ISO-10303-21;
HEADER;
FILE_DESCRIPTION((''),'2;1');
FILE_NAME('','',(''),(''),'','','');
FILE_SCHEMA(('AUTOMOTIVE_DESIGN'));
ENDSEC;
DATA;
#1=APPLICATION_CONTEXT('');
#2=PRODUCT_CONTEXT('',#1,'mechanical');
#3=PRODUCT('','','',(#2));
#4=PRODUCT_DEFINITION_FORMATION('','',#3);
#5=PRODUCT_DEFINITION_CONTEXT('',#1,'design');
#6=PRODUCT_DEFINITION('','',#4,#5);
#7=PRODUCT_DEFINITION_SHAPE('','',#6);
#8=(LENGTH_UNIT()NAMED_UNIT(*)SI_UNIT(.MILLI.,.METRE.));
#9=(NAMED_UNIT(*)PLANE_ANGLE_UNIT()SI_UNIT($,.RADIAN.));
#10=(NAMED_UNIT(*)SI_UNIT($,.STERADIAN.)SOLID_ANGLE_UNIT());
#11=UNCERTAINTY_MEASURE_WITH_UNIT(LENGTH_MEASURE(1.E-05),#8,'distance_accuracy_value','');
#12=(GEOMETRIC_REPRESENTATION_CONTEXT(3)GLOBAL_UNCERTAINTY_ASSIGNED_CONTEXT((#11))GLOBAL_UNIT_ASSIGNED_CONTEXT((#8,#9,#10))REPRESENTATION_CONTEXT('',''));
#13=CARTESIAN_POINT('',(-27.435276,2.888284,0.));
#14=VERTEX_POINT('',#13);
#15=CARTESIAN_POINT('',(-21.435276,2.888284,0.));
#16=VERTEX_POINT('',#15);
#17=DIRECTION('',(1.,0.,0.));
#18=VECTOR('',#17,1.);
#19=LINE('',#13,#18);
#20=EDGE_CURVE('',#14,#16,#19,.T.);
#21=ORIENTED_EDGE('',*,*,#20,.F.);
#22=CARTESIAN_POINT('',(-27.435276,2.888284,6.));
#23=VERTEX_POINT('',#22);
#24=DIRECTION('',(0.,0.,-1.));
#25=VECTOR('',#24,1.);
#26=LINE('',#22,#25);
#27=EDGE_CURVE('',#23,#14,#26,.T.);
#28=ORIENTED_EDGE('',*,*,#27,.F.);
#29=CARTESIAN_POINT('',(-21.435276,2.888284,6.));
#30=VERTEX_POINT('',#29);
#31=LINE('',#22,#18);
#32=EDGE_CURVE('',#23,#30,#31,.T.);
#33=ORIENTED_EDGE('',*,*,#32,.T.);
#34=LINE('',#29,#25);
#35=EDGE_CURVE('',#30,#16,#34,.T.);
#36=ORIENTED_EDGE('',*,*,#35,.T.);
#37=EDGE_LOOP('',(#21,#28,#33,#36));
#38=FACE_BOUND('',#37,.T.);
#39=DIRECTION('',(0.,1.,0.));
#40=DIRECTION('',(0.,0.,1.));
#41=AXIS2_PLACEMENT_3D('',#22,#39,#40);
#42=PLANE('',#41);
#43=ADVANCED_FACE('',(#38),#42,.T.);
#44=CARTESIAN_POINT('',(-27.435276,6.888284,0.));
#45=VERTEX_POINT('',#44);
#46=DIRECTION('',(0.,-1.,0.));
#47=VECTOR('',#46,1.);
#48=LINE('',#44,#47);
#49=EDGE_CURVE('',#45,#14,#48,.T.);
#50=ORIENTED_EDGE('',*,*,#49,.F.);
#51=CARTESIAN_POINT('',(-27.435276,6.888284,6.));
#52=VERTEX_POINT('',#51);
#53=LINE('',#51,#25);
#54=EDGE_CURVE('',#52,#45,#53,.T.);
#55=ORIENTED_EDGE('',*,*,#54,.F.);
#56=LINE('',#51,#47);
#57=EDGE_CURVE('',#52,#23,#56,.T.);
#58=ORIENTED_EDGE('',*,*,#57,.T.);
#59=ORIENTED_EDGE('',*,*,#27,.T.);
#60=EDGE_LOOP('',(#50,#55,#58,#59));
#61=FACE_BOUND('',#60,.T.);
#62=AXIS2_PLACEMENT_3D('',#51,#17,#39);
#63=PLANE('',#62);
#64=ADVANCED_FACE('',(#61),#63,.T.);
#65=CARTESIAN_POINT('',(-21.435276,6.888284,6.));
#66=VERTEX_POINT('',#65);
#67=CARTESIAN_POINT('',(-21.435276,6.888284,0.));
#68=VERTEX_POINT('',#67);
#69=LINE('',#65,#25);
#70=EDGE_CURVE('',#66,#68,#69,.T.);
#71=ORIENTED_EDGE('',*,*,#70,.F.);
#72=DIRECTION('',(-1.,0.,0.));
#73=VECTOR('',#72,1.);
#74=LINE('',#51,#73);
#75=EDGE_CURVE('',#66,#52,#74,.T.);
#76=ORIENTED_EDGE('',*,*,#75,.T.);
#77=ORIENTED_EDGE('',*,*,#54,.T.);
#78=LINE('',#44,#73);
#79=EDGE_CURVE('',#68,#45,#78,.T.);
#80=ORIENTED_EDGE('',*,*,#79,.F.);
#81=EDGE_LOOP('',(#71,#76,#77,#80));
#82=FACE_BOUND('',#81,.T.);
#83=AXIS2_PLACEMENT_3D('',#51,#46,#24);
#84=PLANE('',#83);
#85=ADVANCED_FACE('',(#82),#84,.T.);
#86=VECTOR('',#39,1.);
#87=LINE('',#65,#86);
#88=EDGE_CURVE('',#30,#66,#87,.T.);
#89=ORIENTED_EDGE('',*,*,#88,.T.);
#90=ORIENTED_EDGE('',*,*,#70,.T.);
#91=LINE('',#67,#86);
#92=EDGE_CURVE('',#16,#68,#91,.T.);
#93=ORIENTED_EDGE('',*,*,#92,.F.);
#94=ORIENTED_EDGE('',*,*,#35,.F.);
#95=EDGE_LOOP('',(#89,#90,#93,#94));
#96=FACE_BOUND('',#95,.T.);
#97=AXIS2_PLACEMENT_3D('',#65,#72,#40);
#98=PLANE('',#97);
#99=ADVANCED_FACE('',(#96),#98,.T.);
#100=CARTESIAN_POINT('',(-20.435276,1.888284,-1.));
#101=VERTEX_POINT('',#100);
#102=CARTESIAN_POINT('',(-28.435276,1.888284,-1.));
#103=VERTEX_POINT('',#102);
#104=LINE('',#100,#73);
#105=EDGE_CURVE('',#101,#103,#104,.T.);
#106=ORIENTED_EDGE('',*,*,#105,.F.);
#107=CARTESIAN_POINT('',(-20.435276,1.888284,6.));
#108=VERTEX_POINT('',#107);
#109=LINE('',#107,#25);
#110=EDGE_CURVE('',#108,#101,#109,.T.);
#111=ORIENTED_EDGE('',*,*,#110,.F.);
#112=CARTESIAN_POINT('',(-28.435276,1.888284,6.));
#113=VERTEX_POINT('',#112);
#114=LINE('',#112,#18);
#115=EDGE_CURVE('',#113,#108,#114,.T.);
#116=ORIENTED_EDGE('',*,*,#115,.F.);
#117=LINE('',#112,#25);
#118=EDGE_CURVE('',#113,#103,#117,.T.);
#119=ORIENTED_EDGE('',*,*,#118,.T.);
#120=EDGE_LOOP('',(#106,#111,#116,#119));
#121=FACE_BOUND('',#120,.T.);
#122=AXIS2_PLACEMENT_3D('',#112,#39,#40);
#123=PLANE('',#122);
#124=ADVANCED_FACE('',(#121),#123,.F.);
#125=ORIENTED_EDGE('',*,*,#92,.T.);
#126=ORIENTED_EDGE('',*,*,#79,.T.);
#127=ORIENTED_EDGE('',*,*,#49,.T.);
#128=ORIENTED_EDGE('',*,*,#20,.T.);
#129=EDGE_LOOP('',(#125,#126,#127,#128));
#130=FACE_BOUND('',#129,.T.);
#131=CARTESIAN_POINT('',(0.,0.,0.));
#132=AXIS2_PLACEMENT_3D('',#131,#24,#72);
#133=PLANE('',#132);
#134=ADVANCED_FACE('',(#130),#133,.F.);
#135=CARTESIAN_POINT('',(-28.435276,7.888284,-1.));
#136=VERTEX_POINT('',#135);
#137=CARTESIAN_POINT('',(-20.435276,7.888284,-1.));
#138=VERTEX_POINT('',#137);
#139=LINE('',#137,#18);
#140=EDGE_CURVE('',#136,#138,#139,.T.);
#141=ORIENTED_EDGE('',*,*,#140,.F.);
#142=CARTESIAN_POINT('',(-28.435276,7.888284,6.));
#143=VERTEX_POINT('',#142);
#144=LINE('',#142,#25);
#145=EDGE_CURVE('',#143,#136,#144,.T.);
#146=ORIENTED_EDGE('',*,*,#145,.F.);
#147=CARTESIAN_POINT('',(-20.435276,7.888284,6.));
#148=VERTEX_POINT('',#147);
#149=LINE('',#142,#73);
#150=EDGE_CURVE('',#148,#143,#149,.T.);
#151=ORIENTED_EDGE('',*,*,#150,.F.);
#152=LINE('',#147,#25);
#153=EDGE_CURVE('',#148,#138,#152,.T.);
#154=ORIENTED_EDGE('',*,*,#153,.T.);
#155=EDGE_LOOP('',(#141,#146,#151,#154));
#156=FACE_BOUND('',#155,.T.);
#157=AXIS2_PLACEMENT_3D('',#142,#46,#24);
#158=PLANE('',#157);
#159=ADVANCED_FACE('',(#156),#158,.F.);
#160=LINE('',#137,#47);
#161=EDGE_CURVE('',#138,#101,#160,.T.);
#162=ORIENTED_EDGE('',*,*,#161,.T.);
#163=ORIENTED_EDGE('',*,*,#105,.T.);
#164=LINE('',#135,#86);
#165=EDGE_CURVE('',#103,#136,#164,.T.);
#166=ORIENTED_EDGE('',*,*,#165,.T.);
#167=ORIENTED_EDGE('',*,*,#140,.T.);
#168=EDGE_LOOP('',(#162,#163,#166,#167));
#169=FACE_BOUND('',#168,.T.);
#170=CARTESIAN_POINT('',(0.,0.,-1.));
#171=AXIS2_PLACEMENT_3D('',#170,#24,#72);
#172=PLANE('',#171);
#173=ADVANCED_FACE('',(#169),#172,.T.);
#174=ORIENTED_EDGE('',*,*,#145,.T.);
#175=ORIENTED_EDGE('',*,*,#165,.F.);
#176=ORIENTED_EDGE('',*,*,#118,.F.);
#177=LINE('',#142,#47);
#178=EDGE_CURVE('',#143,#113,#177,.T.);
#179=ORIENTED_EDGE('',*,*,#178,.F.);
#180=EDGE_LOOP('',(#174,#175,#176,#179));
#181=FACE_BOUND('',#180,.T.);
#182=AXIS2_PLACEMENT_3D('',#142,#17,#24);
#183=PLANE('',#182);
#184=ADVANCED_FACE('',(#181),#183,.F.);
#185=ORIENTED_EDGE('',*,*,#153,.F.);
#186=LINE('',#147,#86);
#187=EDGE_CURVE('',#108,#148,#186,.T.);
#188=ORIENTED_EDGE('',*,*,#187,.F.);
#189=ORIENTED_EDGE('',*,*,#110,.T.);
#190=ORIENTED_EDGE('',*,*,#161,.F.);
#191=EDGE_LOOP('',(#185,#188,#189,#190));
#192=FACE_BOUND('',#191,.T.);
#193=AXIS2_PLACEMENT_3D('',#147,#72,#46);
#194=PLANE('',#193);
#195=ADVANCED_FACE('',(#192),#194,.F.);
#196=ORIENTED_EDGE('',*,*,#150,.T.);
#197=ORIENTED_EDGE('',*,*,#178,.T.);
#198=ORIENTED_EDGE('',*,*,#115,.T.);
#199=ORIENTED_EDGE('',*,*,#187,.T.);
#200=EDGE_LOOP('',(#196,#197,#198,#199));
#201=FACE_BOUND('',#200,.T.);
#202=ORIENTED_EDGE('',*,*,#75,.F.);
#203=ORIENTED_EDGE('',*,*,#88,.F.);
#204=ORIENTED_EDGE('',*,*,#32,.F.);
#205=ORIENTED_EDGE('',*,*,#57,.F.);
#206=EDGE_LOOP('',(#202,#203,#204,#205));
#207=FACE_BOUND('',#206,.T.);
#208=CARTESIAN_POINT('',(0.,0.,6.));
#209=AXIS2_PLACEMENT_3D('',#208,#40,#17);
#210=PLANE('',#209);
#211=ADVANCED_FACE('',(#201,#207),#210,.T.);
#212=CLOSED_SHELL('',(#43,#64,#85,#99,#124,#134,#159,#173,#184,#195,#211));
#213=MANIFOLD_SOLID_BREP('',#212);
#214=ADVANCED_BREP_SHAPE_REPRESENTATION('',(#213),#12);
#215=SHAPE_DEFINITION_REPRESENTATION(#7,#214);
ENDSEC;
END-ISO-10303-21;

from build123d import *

# Parameters (mm, degrees)
CROQUIS1_W              = 8
CROQUIS1_H              = 6
CROQUIS1_W_2            = 6
CROQUIS1_H_2            = 4
SALIENTE_EXTRUIR1_DEPTH = 6
CROQUIS3_W              = 8
CROQUIS3_H              = 6
SALIENTE_EXTRUIR2_DEPTH = 1


with BuildPart() as part:
    # Croquis1 → Saliente-Extruir1 (new body)
    with BuildSketch(Plane.XY):
        with Locations((-24.435275528, 4.888284157)):
            Rectangle(CROQUIS1_W, CROQUIS1_H)
        with Locations((-24.435275528, 4.888284157)):
            Rectangle(CROQUIS1_W_2, CROQUIS1_H_2, mode=Mode.SUBTRACT)
    extrude(amount=SALIENTE_EXTRUIR1_DEPTH)

    # Croquis3 → Saliente-Extruir2 (add)
    with BuildSketch(Plane(origin=(0, 0, 0), x_dir=(-1, 0, 0), z_dir=(0, 0, -1))):
        with Locations((24.435275528, 4.888284157)):
            Rectangle(CROQUIS3_W, CROQUIS3_H)
    extrude(amount=SALIENTE_EXTRUIR2_DEPTH)


solid = part.part
